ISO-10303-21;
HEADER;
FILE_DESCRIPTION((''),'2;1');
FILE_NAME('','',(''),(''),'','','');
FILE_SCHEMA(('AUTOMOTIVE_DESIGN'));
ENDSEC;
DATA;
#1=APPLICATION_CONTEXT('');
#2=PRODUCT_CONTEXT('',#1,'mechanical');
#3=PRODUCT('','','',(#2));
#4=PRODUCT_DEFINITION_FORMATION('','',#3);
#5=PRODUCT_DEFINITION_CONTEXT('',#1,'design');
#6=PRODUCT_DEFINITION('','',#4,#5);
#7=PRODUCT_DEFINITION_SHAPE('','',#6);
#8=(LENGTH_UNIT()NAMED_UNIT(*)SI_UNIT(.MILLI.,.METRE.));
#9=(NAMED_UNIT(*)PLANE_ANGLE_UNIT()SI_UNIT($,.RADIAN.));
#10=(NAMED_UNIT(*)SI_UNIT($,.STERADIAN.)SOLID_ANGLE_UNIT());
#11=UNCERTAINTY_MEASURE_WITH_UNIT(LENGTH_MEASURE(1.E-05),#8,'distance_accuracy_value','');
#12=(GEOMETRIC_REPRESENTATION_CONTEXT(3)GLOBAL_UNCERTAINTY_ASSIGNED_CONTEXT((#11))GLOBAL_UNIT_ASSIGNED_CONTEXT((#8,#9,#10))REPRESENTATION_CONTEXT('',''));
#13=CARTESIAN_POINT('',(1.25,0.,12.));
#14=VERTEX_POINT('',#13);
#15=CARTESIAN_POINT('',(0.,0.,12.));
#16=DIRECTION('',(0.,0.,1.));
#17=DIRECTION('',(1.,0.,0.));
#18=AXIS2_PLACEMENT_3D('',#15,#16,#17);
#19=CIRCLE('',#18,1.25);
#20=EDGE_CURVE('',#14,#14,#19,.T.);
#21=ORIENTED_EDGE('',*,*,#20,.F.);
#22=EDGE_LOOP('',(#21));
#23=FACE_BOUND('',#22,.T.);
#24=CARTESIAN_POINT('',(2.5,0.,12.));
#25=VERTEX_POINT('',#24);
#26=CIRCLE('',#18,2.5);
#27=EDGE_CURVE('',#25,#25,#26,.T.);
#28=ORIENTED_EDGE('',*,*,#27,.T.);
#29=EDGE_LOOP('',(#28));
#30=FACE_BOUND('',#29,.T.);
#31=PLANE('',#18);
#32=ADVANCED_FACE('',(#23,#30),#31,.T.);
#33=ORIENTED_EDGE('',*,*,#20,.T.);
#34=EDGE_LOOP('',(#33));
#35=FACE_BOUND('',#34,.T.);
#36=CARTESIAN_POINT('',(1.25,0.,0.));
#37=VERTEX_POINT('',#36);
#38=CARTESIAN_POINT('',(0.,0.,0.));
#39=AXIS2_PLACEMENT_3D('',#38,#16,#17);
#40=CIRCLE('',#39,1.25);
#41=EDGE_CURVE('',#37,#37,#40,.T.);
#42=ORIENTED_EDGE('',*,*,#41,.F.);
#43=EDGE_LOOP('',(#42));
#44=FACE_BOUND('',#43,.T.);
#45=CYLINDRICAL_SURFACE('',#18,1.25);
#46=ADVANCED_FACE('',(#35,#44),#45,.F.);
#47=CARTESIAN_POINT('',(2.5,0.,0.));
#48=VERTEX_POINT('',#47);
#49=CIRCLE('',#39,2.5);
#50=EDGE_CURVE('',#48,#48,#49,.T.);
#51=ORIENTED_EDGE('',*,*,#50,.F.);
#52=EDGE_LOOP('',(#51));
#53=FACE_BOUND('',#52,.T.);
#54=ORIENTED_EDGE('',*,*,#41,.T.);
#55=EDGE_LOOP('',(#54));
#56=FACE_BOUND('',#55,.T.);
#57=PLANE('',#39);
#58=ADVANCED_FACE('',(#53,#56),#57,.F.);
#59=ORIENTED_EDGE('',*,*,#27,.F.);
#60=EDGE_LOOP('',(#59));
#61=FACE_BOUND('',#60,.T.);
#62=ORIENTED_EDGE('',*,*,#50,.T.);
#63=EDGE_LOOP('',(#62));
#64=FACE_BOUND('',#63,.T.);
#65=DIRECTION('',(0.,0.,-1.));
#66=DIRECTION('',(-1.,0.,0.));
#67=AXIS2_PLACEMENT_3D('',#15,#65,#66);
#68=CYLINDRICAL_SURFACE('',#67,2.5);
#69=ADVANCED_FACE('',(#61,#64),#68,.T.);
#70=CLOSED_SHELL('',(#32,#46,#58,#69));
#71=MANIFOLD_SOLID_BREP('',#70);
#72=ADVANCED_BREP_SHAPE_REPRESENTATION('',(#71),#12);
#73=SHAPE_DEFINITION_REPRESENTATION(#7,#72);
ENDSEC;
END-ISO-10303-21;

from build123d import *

# Parameters (mm, degrees)
SKETCH_1_R         = 2.5
EXTRUDE_1_DEPTH    = 12
HOLE_WIZARD_M3_1_D = 2.5


with BuildPart() as part:
    # 草图1 → 凸台-拉伸1 (new body)
    with BuildSketch(Plane.XY):
        Circle(SKETCH_1_R)
    extrude(amount=EXTRUDE_1_DEPTH)

    # M3 螺纹孔1 (through all)
    with Locations(Plane.XY.offset(12)):
        with Locations((0, 0)):
            Hole(HOLE_WIZARD_M3_1_D / 2)


solid = part.part
